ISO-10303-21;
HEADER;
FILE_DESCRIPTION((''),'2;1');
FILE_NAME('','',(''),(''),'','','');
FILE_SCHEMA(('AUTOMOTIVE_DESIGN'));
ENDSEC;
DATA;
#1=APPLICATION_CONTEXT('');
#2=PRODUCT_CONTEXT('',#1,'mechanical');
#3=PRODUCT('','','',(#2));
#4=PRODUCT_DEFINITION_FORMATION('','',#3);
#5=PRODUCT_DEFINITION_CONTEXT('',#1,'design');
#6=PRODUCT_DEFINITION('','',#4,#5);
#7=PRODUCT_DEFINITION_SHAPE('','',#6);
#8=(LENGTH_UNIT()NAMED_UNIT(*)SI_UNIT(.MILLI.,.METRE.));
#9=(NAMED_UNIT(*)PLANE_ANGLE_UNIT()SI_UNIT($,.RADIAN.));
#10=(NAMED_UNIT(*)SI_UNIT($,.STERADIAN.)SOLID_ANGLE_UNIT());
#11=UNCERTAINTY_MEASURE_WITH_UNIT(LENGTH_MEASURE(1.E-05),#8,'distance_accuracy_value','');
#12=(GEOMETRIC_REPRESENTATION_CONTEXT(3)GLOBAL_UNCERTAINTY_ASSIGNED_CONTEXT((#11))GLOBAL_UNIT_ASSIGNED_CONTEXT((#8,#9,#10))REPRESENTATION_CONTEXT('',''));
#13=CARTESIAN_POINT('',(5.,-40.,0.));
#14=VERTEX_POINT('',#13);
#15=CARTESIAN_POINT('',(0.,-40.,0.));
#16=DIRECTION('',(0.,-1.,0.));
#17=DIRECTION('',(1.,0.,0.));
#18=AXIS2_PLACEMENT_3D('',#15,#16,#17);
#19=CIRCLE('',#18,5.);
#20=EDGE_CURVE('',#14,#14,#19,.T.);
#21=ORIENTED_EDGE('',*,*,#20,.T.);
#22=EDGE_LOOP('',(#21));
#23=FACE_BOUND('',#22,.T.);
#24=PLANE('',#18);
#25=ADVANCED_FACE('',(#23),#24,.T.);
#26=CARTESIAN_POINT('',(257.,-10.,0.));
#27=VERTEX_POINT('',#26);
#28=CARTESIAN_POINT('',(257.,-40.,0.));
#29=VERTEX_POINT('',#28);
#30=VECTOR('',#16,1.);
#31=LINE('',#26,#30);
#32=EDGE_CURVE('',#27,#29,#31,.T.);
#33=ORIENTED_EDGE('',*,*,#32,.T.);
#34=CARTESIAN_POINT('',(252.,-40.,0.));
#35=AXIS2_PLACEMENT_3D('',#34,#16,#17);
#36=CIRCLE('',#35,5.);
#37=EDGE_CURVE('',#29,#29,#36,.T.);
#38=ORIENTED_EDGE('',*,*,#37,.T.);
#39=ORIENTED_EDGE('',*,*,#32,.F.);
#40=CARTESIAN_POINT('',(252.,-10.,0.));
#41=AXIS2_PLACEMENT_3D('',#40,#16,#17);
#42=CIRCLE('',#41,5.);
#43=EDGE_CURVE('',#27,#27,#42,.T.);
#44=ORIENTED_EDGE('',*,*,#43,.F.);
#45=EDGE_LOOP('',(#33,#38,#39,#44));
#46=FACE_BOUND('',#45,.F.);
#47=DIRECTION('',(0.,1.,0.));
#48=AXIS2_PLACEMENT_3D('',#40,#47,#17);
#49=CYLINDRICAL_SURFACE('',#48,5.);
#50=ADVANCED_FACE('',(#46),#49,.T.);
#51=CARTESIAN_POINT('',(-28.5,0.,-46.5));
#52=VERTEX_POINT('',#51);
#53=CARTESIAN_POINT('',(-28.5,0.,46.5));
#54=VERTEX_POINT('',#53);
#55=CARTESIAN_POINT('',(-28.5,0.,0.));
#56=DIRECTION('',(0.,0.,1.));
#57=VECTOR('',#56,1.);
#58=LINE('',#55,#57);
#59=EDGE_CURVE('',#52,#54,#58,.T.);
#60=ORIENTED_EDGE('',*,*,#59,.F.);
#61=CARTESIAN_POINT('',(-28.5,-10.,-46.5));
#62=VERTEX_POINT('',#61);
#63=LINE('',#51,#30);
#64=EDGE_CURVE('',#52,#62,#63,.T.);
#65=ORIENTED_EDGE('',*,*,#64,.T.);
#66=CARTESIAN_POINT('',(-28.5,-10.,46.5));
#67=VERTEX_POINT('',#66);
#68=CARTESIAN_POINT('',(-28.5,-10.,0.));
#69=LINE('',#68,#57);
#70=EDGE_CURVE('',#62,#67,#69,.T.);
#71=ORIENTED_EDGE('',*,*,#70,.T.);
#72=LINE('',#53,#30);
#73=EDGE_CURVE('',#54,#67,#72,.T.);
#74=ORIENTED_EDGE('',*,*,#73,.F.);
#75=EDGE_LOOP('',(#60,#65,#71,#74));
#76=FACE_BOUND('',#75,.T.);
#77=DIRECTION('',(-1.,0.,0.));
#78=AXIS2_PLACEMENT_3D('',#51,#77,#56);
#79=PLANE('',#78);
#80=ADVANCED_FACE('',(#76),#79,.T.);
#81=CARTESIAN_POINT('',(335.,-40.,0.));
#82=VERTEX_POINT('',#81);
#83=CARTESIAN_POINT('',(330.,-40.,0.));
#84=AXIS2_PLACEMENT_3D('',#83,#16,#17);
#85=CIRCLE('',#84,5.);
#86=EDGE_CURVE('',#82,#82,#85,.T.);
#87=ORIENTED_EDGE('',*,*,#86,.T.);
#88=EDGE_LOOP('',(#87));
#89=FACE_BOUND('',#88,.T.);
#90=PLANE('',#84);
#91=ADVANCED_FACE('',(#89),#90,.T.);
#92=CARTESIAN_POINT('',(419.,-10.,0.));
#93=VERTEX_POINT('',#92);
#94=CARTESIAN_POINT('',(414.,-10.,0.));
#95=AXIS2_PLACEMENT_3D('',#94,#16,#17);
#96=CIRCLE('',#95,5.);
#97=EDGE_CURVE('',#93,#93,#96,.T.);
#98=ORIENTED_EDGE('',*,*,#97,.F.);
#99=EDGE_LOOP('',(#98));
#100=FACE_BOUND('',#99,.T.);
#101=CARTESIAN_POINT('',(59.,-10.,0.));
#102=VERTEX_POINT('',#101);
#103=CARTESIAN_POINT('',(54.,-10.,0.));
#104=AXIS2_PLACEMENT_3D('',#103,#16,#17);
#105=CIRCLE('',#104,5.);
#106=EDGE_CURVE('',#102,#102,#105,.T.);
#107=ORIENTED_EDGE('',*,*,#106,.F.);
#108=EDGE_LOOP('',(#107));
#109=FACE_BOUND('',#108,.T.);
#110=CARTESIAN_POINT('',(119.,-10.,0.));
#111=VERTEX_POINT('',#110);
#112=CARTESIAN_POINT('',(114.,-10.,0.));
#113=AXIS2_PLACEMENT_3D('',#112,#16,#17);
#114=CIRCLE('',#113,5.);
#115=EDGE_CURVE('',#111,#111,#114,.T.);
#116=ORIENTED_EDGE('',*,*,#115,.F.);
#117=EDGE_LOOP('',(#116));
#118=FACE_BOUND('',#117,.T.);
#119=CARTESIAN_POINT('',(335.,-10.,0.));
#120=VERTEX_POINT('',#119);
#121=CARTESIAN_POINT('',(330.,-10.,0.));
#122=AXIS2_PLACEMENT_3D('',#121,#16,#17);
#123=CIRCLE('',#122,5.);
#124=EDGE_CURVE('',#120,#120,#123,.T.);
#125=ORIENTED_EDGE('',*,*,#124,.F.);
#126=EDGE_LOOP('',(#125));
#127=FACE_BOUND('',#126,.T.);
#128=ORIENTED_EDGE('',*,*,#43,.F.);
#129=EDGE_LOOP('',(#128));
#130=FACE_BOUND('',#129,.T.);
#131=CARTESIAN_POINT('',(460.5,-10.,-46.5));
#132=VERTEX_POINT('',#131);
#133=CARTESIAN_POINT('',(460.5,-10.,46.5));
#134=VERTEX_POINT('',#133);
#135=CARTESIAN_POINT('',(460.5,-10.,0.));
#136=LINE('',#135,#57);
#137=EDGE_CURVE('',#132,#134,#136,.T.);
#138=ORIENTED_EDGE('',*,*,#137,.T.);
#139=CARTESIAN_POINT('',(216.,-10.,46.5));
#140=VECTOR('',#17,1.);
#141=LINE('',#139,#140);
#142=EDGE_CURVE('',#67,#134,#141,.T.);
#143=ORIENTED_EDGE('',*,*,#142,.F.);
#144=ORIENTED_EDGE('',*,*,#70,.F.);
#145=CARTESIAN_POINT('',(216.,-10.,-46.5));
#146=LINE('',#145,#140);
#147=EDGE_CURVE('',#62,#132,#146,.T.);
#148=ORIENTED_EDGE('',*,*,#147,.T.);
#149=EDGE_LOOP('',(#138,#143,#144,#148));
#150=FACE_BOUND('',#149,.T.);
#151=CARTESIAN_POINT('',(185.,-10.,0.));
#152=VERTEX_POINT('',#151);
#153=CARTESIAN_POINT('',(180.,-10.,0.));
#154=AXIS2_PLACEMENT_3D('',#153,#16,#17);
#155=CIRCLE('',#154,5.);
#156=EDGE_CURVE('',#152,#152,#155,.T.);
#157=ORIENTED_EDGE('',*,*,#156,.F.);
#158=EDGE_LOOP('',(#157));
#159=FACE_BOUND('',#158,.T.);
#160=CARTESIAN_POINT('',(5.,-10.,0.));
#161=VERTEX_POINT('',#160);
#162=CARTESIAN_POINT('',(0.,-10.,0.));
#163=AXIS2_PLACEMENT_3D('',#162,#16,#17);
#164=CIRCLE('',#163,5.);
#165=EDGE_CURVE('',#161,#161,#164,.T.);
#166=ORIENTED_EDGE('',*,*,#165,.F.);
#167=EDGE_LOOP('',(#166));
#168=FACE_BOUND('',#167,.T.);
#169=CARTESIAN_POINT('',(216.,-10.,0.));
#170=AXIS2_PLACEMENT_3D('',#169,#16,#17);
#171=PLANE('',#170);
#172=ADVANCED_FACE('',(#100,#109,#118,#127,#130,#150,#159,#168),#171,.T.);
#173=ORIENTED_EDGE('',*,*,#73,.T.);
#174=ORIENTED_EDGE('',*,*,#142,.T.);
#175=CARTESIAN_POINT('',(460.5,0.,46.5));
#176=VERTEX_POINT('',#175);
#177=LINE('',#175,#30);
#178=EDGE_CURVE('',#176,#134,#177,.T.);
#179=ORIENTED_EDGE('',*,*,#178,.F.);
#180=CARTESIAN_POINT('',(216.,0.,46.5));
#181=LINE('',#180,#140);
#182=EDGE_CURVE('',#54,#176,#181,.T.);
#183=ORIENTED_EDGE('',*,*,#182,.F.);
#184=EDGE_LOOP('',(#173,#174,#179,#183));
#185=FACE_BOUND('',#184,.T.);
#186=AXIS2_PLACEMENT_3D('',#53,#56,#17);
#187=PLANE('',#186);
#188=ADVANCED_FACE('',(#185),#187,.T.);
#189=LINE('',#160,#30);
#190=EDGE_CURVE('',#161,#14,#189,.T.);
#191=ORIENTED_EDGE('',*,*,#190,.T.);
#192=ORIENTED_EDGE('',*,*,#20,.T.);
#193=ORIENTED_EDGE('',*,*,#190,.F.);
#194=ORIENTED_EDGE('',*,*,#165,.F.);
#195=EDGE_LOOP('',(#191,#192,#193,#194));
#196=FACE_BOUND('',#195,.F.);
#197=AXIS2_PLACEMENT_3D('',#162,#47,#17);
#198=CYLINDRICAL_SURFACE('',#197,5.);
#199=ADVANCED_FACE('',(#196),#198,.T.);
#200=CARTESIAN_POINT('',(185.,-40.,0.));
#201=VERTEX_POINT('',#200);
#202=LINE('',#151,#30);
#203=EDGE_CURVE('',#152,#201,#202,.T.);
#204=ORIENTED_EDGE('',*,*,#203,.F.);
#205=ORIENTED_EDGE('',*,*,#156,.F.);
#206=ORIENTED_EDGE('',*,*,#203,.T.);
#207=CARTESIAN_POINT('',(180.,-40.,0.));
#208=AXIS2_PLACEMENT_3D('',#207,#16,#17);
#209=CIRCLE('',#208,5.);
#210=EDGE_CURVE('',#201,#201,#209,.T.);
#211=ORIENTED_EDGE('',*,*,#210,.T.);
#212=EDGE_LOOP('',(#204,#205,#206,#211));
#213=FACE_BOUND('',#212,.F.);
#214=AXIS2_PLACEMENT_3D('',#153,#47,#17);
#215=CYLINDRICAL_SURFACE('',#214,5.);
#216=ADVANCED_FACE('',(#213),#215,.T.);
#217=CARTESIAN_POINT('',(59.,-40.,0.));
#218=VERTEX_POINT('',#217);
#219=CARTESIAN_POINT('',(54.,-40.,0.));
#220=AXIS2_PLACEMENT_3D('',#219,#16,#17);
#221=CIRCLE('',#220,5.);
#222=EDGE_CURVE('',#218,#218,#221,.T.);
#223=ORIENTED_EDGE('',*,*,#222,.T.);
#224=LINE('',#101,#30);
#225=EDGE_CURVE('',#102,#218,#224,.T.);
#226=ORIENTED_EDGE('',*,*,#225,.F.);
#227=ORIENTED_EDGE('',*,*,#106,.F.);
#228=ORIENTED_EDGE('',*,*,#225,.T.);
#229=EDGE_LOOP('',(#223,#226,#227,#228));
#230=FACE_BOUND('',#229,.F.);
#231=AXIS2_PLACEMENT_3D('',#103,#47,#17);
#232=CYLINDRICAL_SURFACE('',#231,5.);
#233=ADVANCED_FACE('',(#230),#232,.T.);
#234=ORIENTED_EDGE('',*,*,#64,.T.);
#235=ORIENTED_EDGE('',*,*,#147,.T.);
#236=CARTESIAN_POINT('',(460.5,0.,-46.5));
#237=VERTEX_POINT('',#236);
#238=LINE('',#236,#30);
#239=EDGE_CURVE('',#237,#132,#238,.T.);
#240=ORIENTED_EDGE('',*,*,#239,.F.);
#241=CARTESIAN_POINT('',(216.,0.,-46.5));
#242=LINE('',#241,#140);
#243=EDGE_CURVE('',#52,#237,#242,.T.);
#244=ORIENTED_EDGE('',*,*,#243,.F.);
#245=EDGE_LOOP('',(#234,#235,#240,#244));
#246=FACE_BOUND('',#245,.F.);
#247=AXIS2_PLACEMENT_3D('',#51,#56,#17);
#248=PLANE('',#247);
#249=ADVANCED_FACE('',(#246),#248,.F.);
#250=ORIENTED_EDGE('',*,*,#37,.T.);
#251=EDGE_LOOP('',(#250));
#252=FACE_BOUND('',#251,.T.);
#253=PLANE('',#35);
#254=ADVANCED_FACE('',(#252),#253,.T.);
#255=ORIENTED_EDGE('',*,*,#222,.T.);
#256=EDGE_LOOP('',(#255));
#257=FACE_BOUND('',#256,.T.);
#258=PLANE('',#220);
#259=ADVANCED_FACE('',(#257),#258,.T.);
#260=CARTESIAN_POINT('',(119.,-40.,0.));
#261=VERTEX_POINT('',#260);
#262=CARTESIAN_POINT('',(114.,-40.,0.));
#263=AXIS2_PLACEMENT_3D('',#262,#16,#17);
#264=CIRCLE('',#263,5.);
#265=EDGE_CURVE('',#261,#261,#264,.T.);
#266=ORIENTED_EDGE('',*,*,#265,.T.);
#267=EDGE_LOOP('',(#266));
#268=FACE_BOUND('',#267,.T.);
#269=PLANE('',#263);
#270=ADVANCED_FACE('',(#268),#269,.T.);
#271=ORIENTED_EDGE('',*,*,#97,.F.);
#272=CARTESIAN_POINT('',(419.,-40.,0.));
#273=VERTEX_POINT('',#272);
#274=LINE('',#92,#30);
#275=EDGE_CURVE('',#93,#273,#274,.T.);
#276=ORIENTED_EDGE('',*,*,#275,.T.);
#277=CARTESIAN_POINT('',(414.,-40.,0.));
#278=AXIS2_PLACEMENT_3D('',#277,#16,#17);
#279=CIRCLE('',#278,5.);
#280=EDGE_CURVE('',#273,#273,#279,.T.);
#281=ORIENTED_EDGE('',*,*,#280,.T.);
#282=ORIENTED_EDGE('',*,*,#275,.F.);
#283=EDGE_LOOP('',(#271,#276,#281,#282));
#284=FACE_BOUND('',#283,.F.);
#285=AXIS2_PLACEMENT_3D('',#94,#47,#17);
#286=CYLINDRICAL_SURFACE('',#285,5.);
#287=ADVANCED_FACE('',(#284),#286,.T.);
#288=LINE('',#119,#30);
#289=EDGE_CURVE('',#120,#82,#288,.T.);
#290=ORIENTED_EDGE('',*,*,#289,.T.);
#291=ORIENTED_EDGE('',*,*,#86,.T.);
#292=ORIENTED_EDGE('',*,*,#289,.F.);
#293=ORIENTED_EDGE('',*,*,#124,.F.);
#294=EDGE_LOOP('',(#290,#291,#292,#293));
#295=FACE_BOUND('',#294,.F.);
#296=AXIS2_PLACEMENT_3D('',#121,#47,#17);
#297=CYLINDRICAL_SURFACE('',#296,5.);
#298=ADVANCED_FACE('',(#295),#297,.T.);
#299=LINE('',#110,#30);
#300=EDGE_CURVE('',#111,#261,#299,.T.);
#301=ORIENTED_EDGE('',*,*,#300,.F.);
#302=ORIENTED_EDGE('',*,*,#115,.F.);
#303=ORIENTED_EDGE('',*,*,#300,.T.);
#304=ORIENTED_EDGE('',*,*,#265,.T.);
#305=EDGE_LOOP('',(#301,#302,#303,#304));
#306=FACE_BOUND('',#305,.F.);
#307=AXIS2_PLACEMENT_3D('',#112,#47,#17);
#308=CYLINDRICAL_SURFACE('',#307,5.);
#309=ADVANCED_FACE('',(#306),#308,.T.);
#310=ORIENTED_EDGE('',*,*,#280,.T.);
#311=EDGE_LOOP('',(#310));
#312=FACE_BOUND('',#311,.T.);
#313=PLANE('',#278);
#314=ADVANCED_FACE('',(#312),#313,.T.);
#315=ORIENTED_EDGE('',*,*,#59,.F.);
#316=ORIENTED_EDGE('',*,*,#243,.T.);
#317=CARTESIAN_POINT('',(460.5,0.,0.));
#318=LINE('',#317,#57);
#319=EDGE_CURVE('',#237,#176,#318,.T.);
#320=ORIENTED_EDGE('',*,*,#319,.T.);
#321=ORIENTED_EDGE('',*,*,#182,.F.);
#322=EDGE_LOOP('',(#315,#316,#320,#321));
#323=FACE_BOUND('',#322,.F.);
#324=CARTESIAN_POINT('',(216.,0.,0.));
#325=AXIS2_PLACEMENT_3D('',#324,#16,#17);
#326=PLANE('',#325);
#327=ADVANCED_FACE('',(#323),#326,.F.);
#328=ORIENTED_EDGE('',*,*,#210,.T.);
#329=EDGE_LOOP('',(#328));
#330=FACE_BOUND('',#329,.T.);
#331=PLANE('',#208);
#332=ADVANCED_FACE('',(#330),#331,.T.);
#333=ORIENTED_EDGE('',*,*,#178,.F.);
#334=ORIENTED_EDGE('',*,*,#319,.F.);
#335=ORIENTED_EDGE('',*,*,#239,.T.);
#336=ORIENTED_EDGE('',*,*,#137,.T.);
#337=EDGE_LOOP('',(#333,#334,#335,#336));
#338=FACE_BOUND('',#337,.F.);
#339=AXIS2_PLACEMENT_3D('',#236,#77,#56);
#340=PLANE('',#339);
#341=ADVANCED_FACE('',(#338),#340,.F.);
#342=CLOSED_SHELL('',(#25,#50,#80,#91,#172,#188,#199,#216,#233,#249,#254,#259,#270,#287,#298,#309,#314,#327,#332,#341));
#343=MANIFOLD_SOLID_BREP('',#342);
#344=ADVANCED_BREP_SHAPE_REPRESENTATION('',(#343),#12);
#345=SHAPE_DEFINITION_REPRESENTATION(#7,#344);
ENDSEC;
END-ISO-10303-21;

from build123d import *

# Parameters (mm, degrees)
F1_W     = 489
F1_H     = 93
F2_DEPTH = 10
F3_R     = 5
F4_DEPTH = 30


with BuildPart() as f2:
    # F1 (on Front) → F2 (new body)
    with BuildSketch(Plane.XZ):
        with Locations((216, 0)):
            Rectangle(F1_W, F1_H)
    extrude(amount=F2_DEPTH)

    # F3 (on face) → F4 (join)
    with BuildSketch(Plane.XZ.offset(10)):
        Circle(F3_R)
        with Locations((54, 0)):
            Circle(F3_R)
        with Locations((114, 0)):
            Circle(F3_R)
        with Locations((180, 0)):
            Circle(F3_R)
        with Locations((252, 0)):
            Circle(F3_R)
        with Locations((330, 0)):
            Circle(F3_R)
        with Locations((414, 0)):
            Circle(F3_R)
    extrude(amount=F4_DEPTH)


solid = f2.part
